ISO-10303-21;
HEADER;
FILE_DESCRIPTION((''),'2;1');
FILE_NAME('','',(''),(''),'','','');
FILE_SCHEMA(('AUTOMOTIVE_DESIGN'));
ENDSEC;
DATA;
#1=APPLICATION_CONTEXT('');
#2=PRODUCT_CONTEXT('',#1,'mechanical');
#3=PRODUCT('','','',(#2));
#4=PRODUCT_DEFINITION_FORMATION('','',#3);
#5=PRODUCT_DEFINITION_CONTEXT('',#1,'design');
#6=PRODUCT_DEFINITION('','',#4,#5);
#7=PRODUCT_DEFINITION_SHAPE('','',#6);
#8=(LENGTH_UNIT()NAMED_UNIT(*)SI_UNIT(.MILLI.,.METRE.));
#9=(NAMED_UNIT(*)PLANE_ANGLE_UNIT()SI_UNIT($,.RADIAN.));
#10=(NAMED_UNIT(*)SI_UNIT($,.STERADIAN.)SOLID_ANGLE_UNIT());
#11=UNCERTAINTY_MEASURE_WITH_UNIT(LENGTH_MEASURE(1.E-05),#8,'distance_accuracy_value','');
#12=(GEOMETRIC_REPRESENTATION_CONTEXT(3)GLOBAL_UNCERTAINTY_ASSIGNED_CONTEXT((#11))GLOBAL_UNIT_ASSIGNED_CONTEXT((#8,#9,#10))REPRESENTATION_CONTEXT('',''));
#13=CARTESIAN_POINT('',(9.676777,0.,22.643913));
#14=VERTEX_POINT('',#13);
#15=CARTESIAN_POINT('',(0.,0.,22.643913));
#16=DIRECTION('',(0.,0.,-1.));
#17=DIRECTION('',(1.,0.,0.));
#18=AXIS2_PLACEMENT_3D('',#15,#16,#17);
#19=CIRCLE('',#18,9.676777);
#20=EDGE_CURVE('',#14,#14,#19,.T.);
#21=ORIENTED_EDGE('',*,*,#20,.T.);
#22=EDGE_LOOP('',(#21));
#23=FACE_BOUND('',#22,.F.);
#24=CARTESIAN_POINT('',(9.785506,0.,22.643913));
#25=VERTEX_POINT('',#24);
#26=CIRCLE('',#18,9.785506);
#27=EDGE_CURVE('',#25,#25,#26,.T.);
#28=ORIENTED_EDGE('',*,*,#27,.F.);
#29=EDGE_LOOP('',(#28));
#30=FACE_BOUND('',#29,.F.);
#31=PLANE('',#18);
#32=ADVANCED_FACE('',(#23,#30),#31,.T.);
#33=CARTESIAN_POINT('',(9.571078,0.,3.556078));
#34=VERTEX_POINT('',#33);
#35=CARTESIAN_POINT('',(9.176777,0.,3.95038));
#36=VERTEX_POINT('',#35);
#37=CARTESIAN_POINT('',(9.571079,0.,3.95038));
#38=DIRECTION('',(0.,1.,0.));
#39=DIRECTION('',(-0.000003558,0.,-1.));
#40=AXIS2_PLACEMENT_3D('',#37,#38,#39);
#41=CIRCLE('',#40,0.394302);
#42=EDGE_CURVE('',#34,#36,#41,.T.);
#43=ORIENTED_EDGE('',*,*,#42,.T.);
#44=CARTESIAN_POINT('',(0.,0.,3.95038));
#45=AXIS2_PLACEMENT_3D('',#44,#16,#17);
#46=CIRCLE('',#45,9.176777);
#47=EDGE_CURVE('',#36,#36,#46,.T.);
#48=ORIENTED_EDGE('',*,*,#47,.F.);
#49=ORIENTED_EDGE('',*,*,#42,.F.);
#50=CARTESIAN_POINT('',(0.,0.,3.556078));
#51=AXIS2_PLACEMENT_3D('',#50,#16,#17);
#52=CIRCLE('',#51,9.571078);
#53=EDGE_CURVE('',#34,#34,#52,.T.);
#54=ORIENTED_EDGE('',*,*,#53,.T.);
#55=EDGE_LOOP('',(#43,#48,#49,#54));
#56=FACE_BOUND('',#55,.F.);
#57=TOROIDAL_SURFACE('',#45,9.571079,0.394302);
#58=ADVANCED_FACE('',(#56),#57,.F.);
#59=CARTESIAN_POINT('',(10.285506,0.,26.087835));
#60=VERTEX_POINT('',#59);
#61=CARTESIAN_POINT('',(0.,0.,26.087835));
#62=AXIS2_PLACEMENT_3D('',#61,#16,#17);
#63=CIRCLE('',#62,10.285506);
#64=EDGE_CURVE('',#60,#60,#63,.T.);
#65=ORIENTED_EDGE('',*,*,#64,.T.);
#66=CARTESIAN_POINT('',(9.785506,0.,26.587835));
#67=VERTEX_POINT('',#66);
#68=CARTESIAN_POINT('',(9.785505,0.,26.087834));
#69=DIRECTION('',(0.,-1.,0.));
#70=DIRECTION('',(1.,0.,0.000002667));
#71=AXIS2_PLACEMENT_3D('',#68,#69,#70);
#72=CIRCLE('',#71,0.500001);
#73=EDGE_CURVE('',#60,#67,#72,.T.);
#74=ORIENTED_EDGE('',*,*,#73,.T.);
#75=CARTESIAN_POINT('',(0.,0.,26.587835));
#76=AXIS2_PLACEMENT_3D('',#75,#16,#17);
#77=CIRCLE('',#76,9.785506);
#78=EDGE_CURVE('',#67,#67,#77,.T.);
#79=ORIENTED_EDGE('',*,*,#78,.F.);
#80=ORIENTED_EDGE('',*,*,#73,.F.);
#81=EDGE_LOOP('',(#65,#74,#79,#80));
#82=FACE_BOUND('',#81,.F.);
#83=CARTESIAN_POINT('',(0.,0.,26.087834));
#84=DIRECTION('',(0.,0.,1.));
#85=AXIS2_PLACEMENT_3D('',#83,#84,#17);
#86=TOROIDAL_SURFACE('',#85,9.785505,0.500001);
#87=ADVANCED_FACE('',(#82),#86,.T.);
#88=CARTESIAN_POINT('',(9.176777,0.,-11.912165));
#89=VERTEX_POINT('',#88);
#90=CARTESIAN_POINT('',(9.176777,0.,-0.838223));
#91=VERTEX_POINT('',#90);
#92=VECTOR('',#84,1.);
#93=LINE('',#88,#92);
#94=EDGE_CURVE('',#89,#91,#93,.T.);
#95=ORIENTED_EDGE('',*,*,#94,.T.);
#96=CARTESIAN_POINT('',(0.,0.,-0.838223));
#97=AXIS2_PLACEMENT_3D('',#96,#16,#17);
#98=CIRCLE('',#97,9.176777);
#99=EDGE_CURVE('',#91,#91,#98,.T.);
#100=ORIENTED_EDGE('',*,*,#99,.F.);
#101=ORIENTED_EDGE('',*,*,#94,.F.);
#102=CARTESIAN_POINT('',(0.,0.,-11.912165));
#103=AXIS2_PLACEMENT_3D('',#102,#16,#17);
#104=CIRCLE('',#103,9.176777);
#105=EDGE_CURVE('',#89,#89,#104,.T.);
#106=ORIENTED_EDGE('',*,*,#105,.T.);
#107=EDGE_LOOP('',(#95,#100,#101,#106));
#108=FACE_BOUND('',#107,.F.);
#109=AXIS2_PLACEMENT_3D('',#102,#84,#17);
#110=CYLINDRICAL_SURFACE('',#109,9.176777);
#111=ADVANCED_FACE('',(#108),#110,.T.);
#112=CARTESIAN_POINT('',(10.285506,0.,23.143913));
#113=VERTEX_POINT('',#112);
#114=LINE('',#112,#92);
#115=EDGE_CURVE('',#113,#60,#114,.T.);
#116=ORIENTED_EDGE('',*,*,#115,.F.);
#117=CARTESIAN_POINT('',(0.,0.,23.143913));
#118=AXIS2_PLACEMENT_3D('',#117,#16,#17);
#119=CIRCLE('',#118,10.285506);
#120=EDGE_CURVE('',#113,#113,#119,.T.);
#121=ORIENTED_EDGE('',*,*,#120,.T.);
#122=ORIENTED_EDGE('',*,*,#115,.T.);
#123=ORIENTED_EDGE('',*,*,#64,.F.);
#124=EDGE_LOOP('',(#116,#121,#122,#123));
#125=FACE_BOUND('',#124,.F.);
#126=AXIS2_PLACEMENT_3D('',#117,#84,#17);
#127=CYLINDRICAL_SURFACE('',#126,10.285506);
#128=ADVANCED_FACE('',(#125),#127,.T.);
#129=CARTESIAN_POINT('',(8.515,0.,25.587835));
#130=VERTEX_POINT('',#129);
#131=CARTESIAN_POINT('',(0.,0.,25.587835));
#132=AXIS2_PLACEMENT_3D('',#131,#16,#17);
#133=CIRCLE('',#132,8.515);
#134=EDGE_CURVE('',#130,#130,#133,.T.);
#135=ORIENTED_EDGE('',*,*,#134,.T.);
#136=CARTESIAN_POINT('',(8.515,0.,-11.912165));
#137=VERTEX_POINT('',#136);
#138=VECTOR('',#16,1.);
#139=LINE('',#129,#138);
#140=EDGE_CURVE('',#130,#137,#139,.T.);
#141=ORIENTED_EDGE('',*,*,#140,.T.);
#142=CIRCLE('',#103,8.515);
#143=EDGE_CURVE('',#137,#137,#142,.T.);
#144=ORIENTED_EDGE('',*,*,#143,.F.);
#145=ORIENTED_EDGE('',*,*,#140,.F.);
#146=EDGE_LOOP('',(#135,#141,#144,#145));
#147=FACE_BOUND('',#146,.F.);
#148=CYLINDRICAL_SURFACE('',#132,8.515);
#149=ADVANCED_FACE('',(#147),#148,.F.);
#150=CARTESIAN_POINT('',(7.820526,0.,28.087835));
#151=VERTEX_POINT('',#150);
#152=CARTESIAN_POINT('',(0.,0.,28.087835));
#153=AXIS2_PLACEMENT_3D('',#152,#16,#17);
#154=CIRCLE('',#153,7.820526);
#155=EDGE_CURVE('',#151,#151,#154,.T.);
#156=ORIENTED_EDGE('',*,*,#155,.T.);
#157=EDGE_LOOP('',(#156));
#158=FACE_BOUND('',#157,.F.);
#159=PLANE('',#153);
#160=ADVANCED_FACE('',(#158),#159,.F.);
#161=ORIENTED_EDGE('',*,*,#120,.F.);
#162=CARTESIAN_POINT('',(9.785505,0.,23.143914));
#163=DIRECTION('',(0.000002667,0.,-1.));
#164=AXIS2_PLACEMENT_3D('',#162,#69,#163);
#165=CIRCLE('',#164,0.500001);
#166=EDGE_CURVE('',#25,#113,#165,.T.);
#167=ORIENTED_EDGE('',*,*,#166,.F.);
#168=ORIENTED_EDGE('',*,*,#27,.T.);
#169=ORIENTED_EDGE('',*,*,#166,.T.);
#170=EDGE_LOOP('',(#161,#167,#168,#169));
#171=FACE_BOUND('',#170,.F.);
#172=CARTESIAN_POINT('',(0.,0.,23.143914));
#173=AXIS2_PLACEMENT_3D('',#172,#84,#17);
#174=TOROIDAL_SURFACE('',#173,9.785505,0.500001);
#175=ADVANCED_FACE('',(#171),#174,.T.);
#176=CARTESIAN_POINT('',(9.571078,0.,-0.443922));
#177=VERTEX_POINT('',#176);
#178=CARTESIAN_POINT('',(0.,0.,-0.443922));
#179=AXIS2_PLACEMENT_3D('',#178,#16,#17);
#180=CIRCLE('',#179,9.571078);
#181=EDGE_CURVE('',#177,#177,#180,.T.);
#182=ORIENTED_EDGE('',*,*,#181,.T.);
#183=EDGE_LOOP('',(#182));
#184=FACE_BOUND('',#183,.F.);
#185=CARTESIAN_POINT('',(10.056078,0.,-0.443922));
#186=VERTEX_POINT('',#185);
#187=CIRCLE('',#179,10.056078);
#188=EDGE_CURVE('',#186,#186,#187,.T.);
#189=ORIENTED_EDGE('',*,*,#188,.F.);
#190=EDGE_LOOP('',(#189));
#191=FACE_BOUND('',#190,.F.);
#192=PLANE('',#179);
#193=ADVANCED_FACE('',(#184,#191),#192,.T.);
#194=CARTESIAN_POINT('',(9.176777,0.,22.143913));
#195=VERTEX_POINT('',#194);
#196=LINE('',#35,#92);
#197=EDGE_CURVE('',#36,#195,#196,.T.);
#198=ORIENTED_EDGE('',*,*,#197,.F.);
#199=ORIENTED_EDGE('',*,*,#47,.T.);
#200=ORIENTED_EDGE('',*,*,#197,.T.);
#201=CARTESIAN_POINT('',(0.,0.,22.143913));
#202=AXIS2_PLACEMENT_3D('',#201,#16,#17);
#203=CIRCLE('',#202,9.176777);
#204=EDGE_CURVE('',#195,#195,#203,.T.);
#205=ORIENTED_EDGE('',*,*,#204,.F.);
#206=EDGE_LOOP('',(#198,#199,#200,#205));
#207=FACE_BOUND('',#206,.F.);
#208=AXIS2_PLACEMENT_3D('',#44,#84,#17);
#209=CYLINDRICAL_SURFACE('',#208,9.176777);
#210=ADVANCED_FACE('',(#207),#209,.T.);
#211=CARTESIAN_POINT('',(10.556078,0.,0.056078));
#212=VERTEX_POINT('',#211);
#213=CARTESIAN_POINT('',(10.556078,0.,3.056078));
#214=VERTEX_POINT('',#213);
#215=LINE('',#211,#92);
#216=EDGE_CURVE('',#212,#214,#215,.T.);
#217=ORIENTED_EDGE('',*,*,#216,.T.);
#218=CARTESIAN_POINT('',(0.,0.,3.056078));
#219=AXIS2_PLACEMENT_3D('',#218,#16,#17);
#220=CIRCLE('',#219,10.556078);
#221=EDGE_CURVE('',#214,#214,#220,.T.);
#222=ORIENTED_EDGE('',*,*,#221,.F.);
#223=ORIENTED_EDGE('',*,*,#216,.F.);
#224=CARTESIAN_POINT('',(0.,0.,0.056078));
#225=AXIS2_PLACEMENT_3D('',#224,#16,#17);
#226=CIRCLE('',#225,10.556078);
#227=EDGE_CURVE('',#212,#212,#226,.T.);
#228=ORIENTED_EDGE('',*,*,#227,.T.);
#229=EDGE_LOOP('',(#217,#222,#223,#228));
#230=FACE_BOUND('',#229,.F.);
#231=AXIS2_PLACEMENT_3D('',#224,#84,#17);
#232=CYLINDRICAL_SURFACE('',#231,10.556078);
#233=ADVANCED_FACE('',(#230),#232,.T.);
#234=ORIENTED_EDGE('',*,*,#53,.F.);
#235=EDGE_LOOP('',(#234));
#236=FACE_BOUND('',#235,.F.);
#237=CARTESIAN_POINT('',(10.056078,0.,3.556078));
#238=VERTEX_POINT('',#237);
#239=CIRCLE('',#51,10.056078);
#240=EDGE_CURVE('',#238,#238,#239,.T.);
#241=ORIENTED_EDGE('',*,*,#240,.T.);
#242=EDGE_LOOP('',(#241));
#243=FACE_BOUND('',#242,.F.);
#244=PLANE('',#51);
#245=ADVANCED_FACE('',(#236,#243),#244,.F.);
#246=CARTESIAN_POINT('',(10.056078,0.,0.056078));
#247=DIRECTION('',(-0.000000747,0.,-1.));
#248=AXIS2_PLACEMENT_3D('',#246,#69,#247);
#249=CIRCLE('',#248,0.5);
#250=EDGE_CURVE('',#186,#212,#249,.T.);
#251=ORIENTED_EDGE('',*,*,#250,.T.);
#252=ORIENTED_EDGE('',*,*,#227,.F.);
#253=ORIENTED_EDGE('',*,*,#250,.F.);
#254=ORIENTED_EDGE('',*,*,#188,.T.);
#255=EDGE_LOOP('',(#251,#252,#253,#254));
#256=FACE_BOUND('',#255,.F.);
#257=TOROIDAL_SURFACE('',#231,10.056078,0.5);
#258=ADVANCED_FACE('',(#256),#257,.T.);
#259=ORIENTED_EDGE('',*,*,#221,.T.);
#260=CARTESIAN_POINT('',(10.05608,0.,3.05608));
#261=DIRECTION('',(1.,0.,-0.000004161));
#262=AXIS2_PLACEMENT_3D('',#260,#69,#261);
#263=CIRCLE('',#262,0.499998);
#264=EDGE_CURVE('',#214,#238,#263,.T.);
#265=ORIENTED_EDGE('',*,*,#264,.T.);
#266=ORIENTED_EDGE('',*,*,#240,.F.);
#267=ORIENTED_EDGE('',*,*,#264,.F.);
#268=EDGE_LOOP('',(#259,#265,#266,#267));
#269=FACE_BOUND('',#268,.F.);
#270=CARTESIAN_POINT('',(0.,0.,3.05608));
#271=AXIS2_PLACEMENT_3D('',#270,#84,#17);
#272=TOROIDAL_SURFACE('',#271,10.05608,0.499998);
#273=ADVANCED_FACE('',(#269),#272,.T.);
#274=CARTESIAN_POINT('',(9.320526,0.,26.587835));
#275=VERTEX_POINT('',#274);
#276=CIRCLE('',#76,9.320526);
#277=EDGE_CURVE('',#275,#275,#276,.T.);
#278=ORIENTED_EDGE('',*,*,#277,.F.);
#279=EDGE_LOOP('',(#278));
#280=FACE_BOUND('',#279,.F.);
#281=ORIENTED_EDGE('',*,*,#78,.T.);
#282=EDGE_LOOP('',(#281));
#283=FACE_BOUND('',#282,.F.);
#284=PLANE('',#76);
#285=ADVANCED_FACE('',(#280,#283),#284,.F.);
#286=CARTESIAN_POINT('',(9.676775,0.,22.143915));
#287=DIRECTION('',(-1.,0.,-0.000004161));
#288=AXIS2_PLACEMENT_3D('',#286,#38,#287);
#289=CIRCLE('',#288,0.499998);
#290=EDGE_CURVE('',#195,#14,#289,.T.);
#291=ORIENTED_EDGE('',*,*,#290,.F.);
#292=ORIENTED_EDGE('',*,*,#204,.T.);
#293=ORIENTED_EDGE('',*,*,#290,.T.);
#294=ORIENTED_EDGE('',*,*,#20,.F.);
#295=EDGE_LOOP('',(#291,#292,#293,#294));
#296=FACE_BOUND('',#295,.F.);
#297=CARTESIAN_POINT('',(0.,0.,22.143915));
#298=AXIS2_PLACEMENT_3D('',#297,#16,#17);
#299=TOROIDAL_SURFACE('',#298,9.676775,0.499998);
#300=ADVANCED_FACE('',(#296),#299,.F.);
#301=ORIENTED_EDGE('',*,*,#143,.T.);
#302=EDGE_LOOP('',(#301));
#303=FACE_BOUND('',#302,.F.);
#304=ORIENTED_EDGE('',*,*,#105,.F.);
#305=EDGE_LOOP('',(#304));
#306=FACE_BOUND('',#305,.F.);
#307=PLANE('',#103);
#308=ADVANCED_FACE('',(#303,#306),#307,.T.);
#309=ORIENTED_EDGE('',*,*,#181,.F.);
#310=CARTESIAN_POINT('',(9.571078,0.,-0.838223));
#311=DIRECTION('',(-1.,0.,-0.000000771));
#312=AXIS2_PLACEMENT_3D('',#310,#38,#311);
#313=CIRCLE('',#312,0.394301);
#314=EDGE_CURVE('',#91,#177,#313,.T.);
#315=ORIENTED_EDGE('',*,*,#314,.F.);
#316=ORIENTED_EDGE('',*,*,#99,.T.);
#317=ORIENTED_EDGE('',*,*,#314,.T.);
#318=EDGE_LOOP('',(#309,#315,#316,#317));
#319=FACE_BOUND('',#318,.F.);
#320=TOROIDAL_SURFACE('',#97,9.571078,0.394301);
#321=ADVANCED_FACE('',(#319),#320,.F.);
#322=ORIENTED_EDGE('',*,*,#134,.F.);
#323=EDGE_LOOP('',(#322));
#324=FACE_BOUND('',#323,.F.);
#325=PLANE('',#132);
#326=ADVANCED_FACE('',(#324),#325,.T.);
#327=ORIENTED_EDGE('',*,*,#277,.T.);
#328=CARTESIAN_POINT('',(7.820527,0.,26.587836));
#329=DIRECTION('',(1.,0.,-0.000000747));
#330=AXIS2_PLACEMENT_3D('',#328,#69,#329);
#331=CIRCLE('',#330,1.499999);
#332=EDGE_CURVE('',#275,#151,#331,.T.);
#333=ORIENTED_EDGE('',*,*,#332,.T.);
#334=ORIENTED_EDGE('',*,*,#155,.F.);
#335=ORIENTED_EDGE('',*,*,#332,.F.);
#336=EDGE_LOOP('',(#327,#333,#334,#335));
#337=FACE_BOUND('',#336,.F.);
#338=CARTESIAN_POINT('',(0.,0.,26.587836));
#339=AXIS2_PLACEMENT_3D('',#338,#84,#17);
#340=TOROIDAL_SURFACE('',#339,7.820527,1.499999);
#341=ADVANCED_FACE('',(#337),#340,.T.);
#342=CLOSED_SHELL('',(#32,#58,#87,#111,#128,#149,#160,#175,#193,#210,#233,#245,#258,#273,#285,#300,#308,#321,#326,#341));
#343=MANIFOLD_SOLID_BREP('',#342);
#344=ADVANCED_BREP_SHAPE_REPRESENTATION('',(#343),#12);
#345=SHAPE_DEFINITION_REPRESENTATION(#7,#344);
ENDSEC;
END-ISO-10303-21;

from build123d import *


with BuildPart() as f1:
    # F0 (on Front) → F1 (revolve)
    with BuildSketch(Plane.XZ):
        with BuildLine():
            Line((0, 28.087835), (0, 25.587835))
            Line((0, 25.587835), (8.515, 25.587835))
            Line((8.515, 25.587835), (8.515, -11.912165))
            Line((8.515, -11.912165), (9.176777, -11.912165))
            Line((9.176777, -11.912165), (9.176777, -0.838223))
            ThreePointArc((9.176777, -0.838223), (9.292265, -0.55941), (9.571078, -0.443922))
            Line((9.571078, -0.443922), (10.056078, -0.443922))
            ThreePointArc((10.056078, -0.443922), (10.409632, -0.297475), (10.556078, 0.056078))
            Line((10.556078, 0.056078), (10.556078, 3.056078))
            ThreePointArc((10.556078, 3.056078), (10.409632, 3.409632), (10.056078, 3.556078))
            Line((10.056078, 3.556078), (9.571078, 3.556078))
            ThreePointArc((9.571078, 3.556078), (9.292265, 3.671567), (9.176777, 3.95038))
            Line((9.176777, 3.95038), (9.176777, 22.143913))
            ThreePointArc((9.176777, 22.143913), (9.323223, 22.497467), (9.676777, 22.643913))
            Line((9.676777, 22.643913), (9.785506, 22.643913))
            ThreePointArc((9.785506, 22.643913), (10.139059, 22.79036), (10.285506, 23.143913))
            Line((10.285506, 23.143913), (10.285506, 26.087835))
            ThreePointArc((10.285506, 26.087835), (10.139059, 26.441388), (9.785506, 26.587835))
            Line((9.785506, 26.587835), (9.320526, 26.587835))
            ThreePointArc((9.320526, 26.587835), (8.881187, 27.648495), (7.820526, 28.087835))
            Line((7.820526, 28.087835), (0, 28.087835))
        make_face()
    revolve(axis=Axis((0, 0, 8.784547), (0, 0, -1)))


solid = f1.part
